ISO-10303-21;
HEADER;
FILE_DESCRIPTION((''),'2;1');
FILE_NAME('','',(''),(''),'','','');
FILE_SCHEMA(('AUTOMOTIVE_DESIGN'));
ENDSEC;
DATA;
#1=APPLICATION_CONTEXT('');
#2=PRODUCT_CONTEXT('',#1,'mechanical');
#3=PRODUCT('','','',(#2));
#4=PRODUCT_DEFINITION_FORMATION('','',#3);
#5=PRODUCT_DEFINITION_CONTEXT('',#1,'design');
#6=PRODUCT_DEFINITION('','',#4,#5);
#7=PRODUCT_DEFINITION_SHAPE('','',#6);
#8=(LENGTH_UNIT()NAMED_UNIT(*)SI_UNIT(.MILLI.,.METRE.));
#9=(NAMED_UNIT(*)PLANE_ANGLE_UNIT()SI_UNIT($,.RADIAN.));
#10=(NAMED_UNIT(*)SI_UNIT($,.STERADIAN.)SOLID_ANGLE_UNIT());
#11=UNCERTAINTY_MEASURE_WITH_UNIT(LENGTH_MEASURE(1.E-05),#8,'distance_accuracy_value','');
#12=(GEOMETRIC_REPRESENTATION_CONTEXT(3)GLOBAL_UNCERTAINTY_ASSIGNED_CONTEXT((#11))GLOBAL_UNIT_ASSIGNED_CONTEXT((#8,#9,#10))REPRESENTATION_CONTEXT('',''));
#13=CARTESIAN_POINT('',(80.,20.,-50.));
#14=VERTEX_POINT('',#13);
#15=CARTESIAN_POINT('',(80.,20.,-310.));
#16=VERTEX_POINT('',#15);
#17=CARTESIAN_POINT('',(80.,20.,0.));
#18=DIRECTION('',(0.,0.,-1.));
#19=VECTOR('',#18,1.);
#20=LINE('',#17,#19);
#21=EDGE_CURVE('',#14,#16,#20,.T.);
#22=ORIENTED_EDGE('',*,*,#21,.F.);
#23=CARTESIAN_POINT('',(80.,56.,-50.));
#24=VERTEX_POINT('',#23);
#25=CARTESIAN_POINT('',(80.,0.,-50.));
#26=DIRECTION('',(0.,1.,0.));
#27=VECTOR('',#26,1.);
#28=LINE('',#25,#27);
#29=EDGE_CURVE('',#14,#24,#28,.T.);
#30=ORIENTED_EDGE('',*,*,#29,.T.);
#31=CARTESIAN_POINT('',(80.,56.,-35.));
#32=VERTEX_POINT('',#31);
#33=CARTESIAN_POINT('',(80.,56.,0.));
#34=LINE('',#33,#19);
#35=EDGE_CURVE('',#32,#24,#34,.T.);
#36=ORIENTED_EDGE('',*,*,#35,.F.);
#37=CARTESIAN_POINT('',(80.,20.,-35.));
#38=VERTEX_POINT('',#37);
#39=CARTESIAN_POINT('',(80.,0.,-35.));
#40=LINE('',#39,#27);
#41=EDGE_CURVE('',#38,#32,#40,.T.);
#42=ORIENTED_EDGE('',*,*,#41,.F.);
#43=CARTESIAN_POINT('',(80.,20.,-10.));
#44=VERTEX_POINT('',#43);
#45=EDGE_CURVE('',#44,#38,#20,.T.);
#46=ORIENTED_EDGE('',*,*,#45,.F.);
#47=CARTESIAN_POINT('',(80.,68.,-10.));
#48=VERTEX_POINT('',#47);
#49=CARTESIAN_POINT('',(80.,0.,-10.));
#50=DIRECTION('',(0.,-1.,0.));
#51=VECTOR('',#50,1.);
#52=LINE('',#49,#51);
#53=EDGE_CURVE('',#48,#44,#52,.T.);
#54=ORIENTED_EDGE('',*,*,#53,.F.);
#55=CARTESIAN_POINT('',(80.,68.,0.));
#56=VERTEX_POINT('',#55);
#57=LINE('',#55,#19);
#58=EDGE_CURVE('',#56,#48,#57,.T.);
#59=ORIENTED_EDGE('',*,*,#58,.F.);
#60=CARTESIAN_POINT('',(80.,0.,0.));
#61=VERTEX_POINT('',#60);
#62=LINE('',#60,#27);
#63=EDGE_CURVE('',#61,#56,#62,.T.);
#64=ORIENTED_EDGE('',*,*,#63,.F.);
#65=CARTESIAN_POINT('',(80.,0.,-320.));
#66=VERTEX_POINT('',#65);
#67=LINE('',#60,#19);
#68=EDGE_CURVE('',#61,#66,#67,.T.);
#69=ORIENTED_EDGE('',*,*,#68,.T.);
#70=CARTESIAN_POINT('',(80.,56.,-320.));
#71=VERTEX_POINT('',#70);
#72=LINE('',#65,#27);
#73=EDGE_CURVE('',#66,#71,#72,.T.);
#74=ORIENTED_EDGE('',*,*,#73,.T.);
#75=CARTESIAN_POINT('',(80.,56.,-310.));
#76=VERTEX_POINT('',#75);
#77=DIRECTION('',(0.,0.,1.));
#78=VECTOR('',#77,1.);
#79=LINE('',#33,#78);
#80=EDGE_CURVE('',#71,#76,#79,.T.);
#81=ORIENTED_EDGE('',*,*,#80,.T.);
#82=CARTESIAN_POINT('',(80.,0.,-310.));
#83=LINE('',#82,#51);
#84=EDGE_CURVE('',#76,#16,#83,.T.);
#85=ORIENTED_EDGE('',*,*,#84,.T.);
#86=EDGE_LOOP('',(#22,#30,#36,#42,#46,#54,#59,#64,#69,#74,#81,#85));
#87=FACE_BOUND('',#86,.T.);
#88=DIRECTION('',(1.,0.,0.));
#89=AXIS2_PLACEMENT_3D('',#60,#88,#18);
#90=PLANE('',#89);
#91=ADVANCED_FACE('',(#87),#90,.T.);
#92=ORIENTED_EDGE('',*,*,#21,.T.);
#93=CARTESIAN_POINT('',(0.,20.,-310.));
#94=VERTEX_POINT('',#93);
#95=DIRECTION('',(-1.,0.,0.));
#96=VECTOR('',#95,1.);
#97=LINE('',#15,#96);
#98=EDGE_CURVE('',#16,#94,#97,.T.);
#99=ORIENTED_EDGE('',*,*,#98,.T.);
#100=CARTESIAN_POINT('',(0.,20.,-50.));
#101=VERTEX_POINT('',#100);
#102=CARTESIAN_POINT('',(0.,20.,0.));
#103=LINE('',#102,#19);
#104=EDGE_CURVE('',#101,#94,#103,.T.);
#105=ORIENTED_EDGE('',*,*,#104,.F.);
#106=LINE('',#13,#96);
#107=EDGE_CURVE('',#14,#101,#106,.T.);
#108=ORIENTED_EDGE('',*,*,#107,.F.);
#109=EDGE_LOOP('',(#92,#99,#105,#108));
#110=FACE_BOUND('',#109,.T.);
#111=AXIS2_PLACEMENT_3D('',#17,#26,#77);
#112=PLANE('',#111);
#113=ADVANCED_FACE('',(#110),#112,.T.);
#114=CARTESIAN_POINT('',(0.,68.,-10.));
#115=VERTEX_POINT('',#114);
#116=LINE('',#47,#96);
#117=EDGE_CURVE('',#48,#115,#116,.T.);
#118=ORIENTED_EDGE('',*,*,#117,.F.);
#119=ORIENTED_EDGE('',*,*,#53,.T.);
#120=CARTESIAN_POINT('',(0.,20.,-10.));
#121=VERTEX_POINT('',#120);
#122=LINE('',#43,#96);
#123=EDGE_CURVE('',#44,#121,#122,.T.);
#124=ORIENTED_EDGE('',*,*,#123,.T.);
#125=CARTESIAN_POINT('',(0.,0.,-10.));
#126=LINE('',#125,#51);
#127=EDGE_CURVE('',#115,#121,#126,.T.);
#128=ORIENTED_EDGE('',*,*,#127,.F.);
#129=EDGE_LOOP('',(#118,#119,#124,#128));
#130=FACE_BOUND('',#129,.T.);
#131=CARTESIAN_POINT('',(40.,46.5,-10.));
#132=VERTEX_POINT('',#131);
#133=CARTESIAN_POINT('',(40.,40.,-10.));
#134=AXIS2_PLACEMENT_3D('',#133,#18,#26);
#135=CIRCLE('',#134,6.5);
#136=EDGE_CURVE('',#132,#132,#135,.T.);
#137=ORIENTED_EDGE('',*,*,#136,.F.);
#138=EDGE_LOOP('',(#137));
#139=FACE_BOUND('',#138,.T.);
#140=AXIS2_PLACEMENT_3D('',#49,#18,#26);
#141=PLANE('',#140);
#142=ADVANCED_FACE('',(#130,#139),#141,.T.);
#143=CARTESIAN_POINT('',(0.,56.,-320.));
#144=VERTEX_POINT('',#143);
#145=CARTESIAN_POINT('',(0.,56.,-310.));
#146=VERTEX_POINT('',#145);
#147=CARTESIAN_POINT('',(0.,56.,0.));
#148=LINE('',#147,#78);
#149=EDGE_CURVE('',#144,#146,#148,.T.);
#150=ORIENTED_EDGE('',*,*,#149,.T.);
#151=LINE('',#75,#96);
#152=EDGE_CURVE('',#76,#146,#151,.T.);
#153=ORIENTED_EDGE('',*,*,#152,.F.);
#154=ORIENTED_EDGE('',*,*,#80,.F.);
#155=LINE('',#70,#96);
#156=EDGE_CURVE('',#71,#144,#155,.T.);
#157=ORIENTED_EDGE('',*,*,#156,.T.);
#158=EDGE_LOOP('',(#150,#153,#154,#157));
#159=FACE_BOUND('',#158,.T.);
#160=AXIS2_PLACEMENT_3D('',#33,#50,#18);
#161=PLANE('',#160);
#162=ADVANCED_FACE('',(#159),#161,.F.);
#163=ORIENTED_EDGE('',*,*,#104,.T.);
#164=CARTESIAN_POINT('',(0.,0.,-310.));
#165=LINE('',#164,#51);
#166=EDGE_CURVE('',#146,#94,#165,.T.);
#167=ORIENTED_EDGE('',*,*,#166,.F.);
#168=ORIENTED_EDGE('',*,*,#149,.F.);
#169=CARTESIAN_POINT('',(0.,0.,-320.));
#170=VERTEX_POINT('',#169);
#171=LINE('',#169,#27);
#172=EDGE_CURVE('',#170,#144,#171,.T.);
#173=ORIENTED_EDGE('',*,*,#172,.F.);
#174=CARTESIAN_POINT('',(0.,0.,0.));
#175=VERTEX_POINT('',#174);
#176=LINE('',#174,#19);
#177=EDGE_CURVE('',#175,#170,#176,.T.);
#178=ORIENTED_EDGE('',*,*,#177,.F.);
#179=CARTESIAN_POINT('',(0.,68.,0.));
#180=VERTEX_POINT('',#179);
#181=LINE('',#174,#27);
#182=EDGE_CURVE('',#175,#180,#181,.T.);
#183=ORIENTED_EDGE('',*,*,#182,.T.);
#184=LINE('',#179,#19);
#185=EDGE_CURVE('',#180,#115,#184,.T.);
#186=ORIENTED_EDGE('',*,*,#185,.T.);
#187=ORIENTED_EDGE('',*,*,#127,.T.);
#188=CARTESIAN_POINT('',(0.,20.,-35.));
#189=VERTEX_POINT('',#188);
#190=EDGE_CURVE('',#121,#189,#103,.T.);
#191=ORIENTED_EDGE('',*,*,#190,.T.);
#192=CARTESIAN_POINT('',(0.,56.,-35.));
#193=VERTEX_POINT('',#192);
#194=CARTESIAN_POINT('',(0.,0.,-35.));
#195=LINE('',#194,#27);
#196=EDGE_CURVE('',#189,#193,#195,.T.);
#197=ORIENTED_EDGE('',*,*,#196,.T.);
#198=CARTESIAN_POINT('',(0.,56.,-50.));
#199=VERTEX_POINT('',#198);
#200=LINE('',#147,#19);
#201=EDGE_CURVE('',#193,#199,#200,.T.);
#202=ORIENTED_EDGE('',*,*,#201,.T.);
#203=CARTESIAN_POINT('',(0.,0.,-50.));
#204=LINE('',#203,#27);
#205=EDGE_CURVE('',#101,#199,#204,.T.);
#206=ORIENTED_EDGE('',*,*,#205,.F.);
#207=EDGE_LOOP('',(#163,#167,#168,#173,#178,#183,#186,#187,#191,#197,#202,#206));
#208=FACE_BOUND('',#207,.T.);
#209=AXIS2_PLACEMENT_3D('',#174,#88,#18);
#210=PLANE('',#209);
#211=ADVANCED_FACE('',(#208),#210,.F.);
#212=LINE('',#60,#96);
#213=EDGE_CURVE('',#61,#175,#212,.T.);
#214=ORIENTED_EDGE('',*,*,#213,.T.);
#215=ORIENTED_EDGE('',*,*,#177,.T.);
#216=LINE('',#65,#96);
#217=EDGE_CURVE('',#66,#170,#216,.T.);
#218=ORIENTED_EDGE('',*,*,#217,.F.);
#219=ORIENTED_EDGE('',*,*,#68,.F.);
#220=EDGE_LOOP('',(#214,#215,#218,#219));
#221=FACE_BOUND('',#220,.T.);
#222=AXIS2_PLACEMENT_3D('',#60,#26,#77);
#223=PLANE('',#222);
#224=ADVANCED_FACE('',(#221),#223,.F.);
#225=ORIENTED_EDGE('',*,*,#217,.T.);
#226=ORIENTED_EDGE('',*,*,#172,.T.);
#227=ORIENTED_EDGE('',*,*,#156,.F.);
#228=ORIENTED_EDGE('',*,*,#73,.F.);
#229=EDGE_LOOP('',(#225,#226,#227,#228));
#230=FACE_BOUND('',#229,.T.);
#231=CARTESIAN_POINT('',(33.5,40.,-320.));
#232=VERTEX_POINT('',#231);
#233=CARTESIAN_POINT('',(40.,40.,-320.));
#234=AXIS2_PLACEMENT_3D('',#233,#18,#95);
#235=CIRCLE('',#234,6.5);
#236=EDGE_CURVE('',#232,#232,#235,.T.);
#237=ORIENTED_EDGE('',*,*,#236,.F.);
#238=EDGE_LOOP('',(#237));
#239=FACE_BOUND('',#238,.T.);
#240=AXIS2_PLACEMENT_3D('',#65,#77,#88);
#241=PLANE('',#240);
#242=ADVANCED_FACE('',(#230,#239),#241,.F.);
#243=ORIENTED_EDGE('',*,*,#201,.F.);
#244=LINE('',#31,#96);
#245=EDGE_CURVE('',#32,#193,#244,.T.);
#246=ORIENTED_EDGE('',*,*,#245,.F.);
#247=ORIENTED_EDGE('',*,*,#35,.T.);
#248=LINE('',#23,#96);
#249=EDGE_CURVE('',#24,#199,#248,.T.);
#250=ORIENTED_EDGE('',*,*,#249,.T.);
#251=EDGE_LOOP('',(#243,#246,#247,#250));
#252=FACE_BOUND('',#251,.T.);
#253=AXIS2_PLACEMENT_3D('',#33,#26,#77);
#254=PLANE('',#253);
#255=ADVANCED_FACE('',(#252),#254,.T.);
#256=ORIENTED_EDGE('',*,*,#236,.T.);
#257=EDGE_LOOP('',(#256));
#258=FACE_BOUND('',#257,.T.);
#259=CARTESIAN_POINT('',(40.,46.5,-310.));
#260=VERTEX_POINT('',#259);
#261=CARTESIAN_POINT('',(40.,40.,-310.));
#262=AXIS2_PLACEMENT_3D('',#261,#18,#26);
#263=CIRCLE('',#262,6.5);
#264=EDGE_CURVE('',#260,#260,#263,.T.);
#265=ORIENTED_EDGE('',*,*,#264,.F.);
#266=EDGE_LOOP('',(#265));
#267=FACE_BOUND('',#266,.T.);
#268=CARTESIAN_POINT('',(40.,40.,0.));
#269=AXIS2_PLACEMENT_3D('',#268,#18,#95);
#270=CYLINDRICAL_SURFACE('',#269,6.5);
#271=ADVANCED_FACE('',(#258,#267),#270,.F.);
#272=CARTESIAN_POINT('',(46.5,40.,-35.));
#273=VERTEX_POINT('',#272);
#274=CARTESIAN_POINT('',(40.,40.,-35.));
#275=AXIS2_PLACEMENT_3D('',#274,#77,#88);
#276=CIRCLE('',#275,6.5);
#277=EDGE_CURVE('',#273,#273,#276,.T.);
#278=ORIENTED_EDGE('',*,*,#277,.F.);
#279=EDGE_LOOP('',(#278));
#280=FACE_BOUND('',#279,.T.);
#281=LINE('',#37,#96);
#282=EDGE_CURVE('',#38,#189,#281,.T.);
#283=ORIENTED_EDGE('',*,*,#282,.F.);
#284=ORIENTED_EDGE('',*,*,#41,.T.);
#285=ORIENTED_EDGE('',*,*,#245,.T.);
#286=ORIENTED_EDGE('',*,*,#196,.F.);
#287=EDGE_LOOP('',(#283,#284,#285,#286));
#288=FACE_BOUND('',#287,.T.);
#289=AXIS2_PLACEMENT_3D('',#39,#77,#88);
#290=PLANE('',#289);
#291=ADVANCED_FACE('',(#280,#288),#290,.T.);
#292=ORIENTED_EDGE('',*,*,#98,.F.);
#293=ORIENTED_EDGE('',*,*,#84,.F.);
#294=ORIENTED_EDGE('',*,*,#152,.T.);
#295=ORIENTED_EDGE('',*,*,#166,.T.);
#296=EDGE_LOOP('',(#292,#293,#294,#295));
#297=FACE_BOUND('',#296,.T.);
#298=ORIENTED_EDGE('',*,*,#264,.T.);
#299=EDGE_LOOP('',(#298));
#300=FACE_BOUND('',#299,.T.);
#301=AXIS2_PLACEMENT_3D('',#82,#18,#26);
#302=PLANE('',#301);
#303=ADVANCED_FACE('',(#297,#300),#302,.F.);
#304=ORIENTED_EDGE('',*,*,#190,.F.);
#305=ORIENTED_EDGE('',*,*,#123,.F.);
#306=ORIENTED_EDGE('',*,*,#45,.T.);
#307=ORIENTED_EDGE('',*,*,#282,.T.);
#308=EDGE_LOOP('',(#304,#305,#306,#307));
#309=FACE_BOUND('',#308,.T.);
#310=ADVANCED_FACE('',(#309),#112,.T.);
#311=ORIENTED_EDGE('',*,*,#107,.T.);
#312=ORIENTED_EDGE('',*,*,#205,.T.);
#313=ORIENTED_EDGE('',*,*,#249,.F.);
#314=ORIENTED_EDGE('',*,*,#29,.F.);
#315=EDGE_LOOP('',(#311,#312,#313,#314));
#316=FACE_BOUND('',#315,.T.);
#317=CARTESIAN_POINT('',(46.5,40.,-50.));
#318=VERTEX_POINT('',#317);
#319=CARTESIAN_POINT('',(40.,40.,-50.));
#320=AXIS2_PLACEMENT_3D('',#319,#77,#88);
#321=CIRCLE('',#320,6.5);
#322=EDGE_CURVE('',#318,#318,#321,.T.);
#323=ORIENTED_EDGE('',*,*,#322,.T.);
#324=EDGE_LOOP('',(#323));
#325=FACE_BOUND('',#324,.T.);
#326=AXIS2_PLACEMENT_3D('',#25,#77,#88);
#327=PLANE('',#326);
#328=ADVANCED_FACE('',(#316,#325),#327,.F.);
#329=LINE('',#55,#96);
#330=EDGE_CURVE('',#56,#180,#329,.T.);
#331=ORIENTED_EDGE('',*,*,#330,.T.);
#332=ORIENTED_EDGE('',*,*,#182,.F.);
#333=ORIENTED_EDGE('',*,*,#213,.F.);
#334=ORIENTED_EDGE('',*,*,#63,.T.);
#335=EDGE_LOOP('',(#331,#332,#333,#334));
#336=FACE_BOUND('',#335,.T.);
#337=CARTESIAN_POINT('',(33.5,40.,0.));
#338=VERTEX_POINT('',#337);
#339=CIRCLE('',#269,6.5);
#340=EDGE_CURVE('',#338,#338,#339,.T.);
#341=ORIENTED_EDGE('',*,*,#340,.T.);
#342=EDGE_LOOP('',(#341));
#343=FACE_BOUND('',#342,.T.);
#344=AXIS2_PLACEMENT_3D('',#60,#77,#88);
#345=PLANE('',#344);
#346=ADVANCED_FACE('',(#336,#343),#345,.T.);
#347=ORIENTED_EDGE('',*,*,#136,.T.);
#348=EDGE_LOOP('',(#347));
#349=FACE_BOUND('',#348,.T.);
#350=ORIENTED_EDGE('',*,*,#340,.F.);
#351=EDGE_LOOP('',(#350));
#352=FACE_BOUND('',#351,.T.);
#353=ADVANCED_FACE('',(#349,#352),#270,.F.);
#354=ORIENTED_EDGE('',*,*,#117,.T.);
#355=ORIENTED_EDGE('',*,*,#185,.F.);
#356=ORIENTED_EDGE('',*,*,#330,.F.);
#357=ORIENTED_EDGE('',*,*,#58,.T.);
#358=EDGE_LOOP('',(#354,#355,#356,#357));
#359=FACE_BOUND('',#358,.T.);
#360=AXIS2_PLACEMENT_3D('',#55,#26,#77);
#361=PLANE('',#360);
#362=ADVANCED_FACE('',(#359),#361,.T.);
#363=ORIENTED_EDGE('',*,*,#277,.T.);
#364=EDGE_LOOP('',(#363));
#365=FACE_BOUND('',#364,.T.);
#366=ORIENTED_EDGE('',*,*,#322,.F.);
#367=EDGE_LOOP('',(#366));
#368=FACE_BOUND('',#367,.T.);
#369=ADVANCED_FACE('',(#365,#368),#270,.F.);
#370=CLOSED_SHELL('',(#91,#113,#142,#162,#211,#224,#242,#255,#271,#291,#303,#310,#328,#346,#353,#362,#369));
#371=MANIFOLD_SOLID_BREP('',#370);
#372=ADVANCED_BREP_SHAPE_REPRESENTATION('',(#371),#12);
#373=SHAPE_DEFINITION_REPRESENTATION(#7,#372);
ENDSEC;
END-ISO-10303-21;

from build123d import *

# Parameters (mm, degrees)
SKETCH1_W           = 15
SKETCH1_H           = 36
BOSS_EXTRUDE1_DEPTH = 80
SKETCH2_R           = 6.5
CUT_EXTRUDE1_DEPTH  = 321


with BuildPart() as part:
    # Sketch1 → Boss-Extrude1 (new body)
    with BuildSketch(Plane(origin=(0, 0, 0), x_dir=(0, 0, -1), z_dir=(1, 0, 0))):
        with Locations((42.5, 38)):
            Rectangle(SKETCH1_W, SKETCH1_H)
        Polygon((320, 56), (310, 56), (310, 20), (10, 20), (10, 68), (0, 68), (0, 20), (0, 0), (320, 0), (320, 20), align=None)
    extrude(amount=BOSS_EXTRUDE1_DEPTH)

    # Sketch2 → Cut-Extrude1 (cut, through all)
    with BuildSketch(Plane(origin=(0, 0, -320), x_dir=(-1, 0, 0), z_dir=(0, 0, -1))):
        with Locations((-40, 40)):
            Circle(SKETCH2_R)
    extrude(amount=-CUT_EXTRUDE1_DEPTH, mode=Mode.SUBTRACT)


solid = part.part
